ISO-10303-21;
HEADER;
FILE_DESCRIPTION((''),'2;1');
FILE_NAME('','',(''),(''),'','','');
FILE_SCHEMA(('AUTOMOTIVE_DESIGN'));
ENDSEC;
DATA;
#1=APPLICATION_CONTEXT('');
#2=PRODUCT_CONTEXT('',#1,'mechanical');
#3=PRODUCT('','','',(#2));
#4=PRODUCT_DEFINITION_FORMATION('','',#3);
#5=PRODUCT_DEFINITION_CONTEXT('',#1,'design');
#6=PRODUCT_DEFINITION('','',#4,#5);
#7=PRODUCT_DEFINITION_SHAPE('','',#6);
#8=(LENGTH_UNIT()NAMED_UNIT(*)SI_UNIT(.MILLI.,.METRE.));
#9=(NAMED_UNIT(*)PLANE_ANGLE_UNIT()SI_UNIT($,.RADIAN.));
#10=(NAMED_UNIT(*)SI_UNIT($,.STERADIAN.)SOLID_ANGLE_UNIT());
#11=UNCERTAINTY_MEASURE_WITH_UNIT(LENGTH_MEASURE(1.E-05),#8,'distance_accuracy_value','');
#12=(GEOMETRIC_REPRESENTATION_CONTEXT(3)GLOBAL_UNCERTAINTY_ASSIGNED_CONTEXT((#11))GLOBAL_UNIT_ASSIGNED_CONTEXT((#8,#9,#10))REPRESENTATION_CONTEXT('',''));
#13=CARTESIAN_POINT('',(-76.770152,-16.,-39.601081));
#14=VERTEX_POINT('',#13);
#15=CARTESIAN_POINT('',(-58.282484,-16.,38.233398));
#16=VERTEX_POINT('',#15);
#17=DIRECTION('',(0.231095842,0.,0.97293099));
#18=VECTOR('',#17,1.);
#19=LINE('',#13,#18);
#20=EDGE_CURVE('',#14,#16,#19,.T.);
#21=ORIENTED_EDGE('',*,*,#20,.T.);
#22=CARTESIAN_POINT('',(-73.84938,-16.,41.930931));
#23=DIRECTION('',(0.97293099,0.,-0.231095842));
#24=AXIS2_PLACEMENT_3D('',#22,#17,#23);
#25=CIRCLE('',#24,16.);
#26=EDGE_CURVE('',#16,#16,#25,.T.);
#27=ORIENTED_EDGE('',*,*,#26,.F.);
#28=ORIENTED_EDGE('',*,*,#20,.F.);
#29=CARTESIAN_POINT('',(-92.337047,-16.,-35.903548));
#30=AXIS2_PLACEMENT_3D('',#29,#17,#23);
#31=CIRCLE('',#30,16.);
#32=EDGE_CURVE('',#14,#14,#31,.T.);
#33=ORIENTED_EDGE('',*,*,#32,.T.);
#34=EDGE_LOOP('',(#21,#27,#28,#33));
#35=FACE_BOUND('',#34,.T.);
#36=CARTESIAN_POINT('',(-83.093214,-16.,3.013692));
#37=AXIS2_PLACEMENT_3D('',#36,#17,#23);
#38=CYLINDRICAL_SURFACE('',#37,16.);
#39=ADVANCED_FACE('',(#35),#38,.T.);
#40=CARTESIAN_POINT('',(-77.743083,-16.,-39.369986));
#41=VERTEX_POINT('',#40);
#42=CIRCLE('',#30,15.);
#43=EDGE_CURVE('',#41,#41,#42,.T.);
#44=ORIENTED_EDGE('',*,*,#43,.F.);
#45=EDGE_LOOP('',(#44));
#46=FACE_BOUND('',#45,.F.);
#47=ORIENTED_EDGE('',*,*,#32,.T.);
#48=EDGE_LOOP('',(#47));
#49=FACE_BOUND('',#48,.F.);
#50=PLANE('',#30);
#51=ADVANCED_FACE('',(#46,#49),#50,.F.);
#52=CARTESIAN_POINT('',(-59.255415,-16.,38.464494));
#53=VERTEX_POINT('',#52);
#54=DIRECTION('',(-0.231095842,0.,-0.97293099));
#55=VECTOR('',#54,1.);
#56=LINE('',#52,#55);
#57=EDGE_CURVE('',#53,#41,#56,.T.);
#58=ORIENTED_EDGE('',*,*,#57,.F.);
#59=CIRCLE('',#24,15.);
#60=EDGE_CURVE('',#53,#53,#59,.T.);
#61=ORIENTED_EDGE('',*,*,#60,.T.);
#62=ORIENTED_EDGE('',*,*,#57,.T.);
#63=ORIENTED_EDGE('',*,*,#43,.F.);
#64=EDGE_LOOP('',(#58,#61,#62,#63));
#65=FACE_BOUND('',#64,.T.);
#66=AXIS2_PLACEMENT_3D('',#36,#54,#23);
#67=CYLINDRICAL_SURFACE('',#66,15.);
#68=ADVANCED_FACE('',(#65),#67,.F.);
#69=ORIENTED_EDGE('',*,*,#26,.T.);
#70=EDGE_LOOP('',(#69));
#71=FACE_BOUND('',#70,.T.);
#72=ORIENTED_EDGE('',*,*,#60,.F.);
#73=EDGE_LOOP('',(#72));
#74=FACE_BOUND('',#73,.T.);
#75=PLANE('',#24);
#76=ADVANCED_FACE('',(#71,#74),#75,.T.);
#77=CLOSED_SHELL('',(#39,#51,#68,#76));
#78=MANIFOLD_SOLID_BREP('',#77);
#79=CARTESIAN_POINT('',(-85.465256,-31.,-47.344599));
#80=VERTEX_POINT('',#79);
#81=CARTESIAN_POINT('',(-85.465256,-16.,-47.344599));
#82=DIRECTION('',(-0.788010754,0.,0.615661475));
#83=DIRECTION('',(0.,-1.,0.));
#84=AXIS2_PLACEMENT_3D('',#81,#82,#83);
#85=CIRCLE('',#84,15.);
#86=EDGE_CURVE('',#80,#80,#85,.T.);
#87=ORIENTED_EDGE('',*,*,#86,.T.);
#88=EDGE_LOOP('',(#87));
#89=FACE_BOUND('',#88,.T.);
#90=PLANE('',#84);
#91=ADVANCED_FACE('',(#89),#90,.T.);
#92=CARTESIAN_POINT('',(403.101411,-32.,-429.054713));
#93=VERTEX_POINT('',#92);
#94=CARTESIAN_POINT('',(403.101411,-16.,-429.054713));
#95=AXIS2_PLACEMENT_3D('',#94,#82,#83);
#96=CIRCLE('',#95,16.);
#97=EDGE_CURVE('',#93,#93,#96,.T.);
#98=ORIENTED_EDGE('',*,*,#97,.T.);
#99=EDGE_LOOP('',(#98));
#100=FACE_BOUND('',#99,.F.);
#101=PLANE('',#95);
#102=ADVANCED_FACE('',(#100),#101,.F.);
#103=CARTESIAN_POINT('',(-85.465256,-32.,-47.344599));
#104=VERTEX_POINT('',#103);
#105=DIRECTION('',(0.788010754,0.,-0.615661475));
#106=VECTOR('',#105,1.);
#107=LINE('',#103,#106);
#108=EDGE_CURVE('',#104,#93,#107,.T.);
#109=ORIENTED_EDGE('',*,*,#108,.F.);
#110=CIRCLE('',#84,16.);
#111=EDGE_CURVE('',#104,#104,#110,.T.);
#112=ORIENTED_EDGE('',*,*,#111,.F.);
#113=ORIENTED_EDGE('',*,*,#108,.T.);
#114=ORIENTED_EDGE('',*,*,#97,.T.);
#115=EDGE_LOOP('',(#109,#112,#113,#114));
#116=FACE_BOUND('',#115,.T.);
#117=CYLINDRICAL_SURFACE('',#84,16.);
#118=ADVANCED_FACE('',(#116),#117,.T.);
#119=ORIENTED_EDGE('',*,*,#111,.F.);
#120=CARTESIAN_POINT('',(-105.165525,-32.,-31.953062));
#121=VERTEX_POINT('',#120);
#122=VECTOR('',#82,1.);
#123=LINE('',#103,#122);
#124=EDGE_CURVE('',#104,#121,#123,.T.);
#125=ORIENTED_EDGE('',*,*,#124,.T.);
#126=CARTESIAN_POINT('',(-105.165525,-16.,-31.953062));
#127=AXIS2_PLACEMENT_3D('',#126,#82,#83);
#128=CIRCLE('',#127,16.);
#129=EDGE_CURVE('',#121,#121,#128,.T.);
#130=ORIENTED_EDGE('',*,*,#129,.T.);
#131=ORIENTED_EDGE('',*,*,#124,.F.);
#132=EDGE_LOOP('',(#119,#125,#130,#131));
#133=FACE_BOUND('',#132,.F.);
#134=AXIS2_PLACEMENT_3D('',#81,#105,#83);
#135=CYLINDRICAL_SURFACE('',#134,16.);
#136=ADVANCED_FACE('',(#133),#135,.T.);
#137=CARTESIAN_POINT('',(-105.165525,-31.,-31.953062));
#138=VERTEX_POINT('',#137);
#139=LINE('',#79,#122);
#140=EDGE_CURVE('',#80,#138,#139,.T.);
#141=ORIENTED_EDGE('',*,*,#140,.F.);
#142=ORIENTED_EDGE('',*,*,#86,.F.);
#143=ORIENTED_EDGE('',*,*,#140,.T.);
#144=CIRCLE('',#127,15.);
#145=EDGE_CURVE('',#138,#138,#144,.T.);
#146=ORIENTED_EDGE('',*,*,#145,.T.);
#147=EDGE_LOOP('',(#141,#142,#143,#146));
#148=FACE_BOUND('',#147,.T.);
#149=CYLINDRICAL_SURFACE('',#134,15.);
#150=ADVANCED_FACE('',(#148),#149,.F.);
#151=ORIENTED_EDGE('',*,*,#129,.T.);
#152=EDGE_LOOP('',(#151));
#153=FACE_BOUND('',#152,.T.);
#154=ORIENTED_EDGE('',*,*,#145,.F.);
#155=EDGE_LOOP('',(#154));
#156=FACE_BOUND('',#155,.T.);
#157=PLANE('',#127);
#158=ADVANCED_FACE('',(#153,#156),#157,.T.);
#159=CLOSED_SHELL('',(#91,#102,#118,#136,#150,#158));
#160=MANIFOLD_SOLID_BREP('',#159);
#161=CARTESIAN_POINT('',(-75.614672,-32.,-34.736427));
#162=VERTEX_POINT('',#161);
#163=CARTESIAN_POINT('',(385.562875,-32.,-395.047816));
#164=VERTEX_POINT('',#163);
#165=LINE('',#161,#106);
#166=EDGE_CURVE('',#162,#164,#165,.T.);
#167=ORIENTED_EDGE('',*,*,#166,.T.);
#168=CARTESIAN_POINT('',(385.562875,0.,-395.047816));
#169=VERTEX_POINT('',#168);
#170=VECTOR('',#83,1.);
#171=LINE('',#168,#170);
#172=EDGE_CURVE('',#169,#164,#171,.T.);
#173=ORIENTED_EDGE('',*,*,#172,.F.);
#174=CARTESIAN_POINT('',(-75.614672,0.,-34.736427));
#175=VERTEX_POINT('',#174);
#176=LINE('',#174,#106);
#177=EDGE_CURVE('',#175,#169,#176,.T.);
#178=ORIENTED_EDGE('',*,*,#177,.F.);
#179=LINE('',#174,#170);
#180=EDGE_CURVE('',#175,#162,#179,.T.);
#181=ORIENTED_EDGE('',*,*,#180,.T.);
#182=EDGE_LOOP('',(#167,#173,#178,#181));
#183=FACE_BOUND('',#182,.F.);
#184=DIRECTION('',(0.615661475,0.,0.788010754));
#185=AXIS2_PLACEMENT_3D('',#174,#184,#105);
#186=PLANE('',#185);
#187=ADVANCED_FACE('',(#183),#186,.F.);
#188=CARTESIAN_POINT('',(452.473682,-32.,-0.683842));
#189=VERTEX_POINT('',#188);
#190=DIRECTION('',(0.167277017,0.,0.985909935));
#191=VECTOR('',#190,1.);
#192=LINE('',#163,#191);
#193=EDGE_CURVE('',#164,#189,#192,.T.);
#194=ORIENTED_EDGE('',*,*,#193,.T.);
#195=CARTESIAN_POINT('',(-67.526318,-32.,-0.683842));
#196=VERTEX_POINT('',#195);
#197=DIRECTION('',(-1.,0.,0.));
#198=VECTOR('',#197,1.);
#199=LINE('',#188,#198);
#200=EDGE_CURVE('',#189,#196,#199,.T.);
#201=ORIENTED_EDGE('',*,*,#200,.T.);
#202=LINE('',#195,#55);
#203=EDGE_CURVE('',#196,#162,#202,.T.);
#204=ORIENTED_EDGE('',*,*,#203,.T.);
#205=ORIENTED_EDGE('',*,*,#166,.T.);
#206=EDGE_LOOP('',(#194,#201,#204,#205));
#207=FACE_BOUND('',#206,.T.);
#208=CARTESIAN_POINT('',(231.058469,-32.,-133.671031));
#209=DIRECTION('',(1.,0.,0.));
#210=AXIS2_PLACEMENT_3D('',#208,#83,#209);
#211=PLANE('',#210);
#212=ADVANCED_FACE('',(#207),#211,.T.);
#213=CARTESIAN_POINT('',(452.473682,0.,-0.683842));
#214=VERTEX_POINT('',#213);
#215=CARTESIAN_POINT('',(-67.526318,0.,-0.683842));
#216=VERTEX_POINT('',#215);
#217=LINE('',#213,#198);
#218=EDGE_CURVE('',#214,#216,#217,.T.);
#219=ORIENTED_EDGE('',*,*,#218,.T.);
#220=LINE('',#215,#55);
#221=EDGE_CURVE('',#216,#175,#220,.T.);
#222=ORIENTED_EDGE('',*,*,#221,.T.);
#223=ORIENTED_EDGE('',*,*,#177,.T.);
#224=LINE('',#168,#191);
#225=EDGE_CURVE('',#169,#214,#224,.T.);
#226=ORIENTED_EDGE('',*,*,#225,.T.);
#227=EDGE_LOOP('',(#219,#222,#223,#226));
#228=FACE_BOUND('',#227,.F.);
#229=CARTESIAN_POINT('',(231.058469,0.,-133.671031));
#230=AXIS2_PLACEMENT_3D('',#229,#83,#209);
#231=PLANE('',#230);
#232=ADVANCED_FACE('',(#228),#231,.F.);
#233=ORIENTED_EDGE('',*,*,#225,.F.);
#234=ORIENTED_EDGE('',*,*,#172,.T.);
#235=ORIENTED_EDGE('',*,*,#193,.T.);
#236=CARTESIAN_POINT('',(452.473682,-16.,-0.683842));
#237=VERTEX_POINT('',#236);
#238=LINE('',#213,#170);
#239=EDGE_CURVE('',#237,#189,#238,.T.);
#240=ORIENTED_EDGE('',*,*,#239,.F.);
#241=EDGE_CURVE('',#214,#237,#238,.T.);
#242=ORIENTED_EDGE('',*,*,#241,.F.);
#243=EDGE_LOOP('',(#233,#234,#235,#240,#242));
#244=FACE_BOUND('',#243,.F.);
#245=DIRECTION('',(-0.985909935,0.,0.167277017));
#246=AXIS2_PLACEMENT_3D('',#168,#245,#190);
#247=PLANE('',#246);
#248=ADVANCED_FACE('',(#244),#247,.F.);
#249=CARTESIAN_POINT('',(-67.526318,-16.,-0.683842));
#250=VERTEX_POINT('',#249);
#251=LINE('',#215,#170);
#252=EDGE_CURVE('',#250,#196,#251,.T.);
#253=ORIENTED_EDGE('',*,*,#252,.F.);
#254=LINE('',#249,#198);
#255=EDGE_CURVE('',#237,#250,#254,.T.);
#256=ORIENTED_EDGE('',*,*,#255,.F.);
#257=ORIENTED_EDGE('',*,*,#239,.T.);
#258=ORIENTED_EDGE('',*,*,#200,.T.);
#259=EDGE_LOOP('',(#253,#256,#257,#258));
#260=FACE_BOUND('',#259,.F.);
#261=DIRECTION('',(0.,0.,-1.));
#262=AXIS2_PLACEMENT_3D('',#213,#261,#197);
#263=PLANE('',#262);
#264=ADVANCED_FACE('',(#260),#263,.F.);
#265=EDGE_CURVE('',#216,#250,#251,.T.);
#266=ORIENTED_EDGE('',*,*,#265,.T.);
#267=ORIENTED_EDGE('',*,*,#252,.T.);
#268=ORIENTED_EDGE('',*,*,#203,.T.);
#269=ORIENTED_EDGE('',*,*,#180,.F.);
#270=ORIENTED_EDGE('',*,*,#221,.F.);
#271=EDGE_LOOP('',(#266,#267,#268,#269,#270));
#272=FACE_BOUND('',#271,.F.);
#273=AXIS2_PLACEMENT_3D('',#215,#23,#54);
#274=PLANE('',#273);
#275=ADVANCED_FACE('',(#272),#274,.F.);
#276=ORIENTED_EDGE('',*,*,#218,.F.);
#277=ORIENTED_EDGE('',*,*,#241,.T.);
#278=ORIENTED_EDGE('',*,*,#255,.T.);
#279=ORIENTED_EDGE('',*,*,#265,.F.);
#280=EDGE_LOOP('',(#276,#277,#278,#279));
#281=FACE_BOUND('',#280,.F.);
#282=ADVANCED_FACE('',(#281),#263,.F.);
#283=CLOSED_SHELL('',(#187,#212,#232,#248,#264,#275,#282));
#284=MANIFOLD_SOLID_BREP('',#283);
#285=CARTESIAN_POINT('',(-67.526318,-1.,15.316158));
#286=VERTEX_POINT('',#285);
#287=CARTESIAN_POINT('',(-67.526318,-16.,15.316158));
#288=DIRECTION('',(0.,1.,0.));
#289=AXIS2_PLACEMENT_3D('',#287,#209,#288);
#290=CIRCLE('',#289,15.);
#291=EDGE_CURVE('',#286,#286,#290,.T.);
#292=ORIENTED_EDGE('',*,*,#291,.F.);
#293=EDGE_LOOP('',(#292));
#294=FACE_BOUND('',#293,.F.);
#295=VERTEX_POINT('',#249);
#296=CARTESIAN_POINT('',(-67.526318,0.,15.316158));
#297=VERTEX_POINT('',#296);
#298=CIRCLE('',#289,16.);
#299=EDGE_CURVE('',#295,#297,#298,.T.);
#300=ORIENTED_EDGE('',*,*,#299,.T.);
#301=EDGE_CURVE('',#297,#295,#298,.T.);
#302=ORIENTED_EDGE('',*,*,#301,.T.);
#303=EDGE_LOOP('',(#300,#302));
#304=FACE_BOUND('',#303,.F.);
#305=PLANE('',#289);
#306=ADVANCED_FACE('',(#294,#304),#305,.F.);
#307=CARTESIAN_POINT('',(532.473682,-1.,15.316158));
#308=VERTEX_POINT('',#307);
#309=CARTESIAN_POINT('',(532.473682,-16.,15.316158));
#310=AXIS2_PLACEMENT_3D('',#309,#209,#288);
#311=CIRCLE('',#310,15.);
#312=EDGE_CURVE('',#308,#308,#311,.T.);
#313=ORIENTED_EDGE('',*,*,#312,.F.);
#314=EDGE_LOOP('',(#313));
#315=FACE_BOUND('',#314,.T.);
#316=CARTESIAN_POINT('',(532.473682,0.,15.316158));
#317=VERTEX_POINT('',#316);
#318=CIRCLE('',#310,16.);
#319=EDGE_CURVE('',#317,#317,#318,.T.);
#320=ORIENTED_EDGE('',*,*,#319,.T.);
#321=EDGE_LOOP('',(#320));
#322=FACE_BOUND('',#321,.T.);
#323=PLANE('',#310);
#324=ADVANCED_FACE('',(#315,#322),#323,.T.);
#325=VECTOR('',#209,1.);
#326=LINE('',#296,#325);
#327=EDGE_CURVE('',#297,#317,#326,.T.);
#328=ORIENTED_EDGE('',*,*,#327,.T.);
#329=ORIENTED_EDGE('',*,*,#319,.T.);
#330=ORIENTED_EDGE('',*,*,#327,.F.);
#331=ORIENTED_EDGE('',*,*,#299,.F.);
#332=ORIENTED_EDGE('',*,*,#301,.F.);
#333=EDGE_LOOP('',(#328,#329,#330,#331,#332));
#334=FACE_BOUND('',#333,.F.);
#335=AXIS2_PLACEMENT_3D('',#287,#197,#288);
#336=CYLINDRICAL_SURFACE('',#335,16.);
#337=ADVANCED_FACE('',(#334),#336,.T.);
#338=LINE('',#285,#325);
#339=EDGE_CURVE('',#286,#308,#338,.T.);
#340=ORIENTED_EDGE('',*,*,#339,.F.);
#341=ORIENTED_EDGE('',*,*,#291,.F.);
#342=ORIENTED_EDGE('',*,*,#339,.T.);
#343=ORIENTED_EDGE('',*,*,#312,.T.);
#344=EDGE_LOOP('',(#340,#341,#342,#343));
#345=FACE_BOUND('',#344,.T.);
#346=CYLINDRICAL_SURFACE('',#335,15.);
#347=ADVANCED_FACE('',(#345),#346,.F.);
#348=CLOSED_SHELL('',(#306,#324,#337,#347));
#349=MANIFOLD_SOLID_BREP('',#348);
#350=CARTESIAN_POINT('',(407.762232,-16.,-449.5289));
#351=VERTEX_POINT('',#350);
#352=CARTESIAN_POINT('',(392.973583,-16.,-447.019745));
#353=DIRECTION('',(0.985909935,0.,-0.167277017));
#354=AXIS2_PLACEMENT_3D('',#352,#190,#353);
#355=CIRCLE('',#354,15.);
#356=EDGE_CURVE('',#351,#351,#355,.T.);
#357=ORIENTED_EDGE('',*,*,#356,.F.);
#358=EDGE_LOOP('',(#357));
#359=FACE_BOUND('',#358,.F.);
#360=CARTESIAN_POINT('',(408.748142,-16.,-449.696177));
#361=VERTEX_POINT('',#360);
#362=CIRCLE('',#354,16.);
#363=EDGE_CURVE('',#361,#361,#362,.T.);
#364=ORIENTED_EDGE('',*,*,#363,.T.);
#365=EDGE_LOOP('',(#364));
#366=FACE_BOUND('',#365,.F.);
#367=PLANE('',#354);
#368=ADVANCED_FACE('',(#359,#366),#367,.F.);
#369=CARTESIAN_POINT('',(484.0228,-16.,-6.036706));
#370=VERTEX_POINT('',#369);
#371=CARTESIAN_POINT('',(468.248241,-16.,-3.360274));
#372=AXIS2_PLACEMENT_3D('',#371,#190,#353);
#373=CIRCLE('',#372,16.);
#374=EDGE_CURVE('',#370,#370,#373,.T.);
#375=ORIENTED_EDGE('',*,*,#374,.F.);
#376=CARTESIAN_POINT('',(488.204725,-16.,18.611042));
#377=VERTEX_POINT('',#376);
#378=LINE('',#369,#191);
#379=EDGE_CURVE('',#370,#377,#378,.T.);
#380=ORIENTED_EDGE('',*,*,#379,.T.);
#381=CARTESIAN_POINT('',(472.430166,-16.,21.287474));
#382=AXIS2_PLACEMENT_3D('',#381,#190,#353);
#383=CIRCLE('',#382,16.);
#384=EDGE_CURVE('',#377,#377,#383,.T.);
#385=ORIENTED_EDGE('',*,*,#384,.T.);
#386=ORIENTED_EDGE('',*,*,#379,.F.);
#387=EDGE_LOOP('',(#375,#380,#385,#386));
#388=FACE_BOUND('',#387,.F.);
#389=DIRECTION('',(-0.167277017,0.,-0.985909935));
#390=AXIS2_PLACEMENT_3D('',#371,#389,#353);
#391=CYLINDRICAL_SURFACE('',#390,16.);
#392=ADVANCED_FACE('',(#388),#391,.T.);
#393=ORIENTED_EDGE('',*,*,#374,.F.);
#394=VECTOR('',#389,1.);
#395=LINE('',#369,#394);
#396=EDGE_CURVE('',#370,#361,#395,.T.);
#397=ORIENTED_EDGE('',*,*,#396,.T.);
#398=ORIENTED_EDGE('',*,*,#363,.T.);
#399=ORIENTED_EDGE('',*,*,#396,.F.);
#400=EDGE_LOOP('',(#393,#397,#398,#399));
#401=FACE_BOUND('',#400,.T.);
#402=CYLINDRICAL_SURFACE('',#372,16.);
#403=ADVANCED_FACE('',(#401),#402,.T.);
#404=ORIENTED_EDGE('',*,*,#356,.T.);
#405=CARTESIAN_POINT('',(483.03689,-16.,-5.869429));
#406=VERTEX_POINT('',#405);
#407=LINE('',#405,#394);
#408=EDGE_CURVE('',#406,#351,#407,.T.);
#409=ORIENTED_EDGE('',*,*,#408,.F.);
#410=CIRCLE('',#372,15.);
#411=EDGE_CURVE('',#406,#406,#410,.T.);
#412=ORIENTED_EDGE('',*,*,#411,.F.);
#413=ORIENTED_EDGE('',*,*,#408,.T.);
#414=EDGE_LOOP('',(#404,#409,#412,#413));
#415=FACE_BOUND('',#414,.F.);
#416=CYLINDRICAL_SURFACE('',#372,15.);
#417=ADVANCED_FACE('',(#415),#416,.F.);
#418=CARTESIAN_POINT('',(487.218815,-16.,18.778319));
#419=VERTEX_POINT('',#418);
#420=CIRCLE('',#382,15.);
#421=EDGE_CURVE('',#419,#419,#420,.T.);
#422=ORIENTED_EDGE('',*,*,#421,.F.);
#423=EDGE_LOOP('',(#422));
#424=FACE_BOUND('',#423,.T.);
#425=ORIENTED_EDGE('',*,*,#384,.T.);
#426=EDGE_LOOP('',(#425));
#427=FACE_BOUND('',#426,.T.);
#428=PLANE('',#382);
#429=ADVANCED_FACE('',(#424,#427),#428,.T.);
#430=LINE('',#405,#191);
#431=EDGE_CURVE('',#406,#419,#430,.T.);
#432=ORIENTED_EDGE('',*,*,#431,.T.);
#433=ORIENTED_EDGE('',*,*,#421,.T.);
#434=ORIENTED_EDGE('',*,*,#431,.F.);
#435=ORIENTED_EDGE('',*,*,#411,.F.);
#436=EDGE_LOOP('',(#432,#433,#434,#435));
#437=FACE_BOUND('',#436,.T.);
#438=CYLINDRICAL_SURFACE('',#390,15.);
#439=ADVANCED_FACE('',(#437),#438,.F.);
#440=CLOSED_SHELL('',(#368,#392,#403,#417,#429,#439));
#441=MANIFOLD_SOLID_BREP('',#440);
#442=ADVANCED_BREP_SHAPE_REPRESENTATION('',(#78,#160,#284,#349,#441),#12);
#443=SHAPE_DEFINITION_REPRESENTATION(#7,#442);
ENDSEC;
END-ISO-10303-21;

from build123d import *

# Parameters (mm, degrees)
F1_DEPTH  = 32
F3_R      = 16
F3_R_2    = 15
F4_DEPTH  = 600
F6_R      = 16
F6_R_2    = 15
F7_DEPTH  = 40
F9_R      = 16
F9_R_2    = 15
F10_DEPTH = 620
F11_DEPTH = 25
F13_R     = 16
F13_R_2   = 15
F14_DEPTH = 450
F15_DEPTH = 25


with BuildPart() as f1:
    # F0 (on Front) → F1 (new body)
    with BuildSketch(Plane.XZ):
        Polygon((452.473682055, -0.6838418776), (-67.526317945, -0.6838418776), (-75.6146724134, -34.7364265371), (385.5628752696, -395.0478158095), align=None)
    extrude(amount=F1_DEPTH)

    # F3 (on face) → F4 (join)
    with BuildSketch(Plane.YZ.offset(-67.526317945)):
        with Locations((-16, 15.3161581224)):
            Circle(F3_R)
        with Locations((-16, 15.3161581224)):
            Circle(F3_R_2, mode=Mode.SUBTRACT)
    extrude(amount=F4_DEPTH)


with BuildPart() as f7:
    # F6 (on line) → F7 (new body, symmetric)
    with BuildSketch(Plane(origin=(-3.7600176862, 0, -15.8299591194), x_dir=(0.9729309903, 0, -0.231095842), z_dir=(0.231095842, 0, 0.9729309903))):
        with Locations((-81.5404143731, -16)):
            Circle(F6_R)
        with Locations((-81.5404143731, -16)):
            Circle(F6_R_2, mode=Mode.SUBTRACT)
    extrude(amount=F7_DEPTH, both=True)


with BuildPart() as f10:
    # F9 (on face) → F10 (new body)
    with BuildSketch(Plane(origin=(-30.1014555419, 0, 23.5178345518), x_dir=(0, -1, 0), z_dir=(-0.7880107536, 0, 0.6156614753))):
        with Locations((16, -89.9257184274)):
            Circle(F9_R)
        with Locations((16, -89.9257184274)):
            Circle(F9_R_2, mode=Mode.SUBTRACT)
        with Locations((16, -89.9257184274)):
            Circle(F9_R_2)
    extrude(amount=-F10_DEPTH)

    # F9 (on face) → F11 (join)
    with BuildSketch(Plane(origin=(-30.1014555419, 0, 23.5178345518), x_dir=(0, -1, 0), z_dir=(-0.7880107536, 0, 0.6156614753))):
        with Locations((16, -89.9257184274)):
            Circle(F9_R)
        with Locations((16, -89.9257184274)):
            Circle(F9_R_2, mode=Mode.SUBTRACT)
    extrude(amount=F11_DEPTH)


with BuildPart() as f14:
    # F13 (on line) → F14 (new body)
    with BuildSketch(Plane(origin=(12.5481585124, 0, 73.9572857393), x_dir=(0.9859099348, 0, -0.167277017), z_dir=(0.167277017, 0, 0.9859099348))):
        with Locations((462.2126894164, -16)):
            Circle(F13_R)
        with Locations((462.2126894164, -16)):
            Circle(F13_R_2, mode=Mode.SUBTRACT)
    extrude(amount=-F14_DEPTH)

    # F13 (on line) → F15 (join)
    with BuildSketch(Plane(origin=(12.5481585124, 0, 73.9572857393), x_dir=(0.9859099348, 0, -0.167277017), z_dir=(0.167277017, 0, 0.9859099348))):
        with Locations((462.2126894164, -16)):
            Circle(F13_R)
        with Locations((462.2126894164, -16)):
            Circle(F13_R_2, mode=Mode.SUBTRACT)
    extrude(amount=F15_DEPTH)


solid = Compound([f1.part, f7.part, f10.part, f14.part])
